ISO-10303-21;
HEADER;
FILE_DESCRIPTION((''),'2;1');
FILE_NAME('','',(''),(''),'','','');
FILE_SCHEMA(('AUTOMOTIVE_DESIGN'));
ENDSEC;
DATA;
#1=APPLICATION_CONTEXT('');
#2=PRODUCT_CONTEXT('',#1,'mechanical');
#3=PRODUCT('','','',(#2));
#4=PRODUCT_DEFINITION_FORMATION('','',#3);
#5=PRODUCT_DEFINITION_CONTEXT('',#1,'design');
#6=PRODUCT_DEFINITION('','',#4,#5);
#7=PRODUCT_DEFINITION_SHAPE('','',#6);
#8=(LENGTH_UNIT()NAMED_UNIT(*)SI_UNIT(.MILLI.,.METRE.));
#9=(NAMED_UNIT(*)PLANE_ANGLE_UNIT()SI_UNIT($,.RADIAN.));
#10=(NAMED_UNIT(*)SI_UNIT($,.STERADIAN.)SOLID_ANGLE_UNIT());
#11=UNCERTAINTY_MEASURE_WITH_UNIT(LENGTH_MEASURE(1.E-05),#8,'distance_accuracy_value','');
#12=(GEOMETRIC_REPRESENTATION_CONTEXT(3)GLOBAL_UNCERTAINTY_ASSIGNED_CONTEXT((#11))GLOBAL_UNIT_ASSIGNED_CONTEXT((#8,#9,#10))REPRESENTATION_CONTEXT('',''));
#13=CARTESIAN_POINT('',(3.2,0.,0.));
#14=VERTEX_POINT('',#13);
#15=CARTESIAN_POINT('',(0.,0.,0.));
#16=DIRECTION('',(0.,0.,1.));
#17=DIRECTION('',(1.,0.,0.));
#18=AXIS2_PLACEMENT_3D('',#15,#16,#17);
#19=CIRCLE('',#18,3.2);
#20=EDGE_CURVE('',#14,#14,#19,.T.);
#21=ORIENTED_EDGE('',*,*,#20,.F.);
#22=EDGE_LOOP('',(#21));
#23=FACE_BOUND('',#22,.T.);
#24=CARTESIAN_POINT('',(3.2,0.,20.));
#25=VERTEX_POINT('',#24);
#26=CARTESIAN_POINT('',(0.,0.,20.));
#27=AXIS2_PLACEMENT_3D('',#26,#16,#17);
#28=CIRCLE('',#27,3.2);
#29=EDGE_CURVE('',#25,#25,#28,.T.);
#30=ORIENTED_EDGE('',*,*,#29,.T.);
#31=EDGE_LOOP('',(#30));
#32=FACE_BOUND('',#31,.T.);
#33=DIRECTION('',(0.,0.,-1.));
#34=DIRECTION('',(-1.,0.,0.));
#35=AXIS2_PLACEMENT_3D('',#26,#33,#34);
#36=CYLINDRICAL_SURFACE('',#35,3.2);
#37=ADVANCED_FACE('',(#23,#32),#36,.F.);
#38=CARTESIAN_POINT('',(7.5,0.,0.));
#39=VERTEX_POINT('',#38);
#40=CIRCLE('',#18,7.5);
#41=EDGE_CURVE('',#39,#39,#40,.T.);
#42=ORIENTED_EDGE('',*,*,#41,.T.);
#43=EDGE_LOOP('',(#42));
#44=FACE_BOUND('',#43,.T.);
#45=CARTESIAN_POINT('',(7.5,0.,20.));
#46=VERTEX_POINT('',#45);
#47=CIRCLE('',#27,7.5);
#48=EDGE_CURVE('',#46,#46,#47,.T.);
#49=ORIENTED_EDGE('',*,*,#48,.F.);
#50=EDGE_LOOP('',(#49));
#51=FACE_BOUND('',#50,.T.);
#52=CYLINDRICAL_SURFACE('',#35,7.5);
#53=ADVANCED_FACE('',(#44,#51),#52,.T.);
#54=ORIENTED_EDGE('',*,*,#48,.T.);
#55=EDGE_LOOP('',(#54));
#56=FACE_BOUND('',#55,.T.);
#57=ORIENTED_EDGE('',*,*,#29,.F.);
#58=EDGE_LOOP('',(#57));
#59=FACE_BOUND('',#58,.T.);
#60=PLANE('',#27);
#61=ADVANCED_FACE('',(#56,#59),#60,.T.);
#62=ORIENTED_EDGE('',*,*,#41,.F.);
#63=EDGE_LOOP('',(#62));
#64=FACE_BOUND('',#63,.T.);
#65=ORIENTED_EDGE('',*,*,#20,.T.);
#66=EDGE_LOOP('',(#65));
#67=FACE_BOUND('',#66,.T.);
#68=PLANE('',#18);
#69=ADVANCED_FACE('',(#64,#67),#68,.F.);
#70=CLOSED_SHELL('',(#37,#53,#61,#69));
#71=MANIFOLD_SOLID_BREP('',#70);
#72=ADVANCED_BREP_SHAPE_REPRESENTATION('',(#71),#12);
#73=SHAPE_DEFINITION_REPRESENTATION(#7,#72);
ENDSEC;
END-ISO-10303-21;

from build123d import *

# Parameters (mm, degrees)
SKETCH_1_R      = 7.5
SKETCH_1_R_2    = 3.2
EXTRUDE_1_DEPTH = 20


with BuildPart() as part:
    # 스케치1 → 보스-돌출1 (new body)
    with BuildSketch(Plane.XY):
        Circle(SKETCH_1_R)
        Circle(SKETCH_1_R_2, mode=Mode.SUBTRACT)
    extrude(amount=EXTRUDE_1_DEPTH)


solid = part.part
